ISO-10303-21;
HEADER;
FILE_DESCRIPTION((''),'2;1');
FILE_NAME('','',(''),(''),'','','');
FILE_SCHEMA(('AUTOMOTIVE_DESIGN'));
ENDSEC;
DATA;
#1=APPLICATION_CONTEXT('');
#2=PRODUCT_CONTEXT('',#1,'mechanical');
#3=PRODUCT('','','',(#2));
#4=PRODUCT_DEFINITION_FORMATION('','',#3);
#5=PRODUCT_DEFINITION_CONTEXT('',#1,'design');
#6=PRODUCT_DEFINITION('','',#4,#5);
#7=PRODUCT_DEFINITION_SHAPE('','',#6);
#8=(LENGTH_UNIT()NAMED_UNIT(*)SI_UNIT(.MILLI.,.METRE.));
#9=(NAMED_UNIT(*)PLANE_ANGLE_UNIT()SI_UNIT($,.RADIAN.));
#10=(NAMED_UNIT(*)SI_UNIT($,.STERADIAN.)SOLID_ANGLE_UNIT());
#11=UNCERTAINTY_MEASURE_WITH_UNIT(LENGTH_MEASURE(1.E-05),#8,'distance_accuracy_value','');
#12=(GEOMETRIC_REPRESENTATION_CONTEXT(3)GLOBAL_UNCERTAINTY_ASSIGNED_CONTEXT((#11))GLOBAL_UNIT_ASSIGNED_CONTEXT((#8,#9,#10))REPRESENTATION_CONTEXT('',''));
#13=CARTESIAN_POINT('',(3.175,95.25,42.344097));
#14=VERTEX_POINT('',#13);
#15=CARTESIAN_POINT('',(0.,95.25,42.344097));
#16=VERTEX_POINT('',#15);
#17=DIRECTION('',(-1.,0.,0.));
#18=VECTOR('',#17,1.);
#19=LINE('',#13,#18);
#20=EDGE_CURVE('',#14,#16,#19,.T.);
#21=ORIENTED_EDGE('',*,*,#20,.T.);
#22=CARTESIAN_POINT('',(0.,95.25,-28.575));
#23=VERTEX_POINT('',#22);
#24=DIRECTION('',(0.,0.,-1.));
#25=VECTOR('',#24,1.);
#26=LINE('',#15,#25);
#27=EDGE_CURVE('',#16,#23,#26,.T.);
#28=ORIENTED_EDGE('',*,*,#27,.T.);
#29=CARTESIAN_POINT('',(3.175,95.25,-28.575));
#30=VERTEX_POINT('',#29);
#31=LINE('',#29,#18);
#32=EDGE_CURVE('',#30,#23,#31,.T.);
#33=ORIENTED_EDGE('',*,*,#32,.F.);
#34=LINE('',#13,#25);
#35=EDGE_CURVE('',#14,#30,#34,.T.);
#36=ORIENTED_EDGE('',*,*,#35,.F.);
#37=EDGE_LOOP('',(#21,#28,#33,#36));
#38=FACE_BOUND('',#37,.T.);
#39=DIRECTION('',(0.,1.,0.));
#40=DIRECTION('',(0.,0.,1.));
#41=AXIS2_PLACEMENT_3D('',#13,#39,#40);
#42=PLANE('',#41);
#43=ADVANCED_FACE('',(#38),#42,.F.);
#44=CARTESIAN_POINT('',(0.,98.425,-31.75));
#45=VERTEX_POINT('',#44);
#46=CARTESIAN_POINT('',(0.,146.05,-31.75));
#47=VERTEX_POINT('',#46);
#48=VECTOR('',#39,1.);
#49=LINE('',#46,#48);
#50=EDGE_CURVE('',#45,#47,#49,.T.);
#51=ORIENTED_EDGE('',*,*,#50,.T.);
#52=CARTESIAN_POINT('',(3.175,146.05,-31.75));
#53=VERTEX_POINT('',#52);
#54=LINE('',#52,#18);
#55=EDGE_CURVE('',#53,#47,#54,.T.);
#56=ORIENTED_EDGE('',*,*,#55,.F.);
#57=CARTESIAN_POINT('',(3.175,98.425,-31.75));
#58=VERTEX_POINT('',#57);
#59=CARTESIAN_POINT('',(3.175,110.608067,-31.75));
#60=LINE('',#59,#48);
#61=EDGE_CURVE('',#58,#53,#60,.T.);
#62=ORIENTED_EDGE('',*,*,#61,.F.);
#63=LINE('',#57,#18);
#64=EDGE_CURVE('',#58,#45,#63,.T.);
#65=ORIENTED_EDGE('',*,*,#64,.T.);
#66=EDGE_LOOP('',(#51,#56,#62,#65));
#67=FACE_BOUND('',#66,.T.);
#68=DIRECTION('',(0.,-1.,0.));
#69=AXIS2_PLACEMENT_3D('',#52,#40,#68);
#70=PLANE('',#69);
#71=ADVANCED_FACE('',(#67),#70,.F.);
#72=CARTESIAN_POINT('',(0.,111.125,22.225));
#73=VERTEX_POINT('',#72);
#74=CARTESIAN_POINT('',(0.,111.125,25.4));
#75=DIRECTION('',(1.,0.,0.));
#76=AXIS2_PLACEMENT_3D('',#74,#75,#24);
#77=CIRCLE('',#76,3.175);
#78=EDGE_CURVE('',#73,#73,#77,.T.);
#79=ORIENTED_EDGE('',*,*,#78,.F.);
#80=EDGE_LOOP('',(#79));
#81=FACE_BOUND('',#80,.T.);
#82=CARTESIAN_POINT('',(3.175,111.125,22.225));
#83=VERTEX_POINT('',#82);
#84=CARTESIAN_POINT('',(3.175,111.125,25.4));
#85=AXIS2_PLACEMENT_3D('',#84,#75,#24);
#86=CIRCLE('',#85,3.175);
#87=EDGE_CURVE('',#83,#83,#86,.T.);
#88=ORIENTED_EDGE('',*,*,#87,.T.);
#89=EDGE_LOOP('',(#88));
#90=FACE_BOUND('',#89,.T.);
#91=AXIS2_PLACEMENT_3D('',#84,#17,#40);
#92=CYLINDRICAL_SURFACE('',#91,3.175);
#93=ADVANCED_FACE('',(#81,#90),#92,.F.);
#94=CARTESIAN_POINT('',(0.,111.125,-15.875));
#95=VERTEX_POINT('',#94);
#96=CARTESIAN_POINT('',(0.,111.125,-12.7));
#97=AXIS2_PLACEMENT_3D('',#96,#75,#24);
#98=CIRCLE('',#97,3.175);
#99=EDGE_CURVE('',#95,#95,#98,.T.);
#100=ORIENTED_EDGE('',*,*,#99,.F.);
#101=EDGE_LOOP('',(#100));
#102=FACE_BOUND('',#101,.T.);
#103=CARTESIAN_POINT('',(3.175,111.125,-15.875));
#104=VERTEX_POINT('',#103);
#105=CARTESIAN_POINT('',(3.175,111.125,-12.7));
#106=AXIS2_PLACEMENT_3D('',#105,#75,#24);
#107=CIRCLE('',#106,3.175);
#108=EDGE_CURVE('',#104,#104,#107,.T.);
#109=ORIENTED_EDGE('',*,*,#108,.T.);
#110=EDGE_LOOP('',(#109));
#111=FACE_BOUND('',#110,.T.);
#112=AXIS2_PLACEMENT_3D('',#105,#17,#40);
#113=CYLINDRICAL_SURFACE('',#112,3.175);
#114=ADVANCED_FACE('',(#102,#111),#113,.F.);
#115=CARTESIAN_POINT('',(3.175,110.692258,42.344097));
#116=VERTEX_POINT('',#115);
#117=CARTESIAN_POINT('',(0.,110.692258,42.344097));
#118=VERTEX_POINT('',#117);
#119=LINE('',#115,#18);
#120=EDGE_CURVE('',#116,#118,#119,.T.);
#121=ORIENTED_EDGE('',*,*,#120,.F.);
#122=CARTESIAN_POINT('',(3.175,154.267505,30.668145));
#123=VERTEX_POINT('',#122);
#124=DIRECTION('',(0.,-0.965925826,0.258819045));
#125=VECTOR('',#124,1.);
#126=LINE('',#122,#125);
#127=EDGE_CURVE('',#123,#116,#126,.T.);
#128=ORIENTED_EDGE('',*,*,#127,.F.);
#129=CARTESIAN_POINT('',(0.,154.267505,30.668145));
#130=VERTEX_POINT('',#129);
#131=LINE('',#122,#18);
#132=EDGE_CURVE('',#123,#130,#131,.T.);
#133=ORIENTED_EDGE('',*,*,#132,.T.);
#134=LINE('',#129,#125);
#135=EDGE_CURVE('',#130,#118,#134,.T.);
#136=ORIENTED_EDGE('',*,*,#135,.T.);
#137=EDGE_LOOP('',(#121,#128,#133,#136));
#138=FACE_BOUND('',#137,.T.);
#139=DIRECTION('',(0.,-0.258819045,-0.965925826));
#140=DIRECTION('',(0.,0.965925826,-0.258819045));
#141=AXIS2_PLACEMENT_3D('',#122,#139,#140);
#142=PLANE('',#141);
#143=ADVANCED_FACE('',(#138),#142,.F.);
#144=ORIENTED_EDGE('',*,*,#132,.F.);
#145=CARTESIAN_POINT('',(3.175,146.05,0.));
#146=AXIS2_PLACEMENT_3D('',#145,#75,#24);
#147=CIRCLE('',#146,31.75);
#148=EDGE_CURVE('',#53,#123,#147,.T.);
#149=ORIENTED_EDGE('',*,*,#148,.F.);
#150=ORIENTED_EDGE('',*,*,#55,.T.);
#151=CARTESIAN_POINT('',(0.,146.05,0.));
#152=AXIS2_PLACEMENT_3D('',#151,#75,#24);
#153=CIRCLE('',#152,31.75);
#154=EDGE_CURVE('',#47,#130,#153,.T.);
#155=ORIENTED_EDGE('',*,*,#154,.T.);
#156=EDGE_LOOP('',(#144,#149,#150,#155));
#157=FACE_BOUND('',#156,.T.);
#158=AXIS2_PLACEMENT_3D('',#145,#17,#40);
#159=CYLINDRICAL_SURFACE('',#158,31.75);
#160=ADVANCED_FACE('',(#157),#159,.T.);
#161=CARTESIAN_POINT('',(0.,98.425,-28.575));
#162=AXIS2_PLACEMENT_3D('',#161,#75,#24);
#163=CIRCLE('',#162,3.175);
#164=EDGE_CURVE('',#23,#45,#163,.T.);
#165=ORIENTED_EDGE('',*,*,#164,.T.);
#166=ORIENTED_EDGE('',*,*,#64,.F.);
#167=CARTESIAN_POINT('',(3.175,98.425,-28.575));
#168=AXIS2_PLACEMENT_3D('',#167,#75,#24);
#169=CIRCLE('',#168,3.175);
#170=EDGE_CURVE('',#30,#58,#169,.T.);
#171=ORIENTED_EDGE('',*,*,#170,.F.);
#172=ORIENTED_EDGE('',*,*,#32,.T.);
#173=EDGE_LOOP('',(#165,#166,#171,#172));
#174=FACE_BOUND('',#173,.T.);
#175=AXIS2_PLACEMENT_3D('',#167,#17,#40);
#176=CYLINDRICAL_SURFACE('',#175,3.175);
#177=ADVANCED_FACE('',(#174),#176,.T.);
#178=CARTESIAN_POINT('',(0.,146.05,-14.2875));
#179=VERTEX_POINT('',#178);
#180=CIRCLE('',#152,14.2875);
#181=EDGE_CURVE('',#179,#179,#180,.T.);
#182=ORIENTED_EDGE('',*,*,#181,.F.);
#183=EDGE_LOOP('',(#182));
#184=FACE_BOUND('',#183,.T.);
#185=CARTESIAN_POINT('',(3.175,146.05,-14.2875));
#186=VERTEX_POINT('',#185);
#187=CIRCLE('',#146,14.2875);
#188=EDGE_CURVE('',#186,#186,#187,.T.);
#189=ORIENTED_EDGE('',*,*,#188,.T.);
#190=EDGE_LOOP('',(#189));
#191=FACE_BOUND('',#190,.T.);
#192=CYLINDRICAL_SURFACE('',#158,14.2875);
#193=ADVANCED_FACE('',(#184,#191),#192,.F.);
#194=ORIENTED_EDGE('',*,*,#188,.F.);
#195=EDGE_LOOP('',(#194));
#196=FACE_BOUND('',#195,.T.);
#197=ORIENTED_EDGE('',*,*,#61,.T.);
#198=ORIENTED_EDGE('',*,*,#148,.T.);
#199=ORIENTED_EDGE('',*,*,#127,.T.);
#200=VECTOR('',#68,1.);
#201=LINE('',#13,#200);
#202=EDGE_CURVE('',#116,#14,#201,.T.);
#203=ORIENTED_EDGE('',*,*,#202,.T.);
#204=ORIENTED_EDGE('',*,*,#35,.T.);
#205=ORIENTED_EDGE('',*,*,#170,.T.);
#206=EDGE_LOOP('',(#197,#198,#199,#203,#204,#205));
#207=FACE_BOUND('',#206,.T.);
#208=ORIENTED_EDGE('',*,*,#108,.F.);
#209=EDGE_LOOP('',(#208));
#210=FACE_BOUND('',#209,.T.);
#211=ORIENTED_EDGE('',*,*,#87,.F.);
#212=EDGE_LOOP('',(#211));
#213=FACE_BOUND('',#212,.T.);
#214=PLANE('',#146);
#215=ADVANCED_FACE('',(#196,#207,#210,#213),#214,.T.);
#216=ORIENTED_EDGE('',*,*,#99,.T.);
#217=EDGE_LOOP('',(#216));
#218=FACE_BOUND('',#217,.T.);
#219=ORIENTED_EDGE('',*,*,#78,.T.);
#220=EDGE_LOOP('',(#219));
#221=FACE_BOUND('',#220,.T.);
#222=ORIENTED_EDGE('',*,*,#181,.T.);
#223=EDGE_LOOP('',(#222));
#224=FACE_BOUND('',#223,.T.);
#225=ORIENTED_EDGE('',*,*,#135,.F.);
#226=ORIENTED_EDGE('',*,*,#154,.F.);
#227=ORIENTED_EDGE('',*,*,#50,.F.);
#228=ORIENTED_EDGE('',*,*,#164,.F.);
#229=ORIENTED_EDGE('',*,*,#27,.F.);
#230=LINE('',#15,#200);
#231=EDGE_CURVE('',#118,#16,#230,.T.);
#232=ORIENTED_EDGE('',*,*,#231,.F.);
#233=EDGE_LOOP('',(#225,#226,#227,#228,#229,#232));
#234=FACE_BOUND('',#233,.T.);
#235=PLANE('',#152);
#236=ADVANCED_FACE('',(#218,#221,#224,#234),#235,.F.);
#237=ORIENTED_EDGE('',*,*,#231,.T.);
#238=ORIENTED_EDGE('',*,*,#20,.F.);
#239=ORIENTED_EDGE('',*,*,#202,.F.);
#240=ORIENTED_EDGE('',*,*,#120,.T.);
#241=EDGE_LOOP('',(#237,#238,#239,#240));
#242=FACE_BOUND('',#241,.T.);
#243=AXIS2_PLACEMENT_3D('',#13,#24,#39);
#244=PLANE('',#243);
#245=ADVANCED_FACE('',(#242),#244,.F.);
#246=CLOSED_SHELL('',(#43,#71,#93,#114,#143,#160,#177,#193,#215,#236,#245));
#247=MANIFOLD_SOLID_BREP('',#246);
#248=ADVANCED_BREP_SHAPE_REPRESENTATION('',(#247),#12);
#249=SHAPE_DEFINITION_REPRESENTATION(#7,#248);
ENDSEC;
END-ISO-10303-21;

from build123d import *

# Parameters (mm, degrees)
SKETCH2_R           = 14.2875
SKETCH2_R_2         = 3.175
BOSS_EXTRUDE1_DEPTH = 3.175


with BuildPart() as part:
    # Sketch2 → Boss-Extrude1 (new body)
    with BuildSketch(Plane(origin=(0, 0, 0), x_dir=(0, 0, -1), z_dir=(1, 0, 0))):
        with BuildLine():
            Line((-30.668144985, 154.267504682), (-42.344097145, 110.692257994))
            Line((-42.344097145, 110.692257994), (-42.344097145, 95.25))
            Line((-42.344097145, 95.25), (28.575, 95.25))
            ThreePointArc((28.575, 95.25), (30.82006403, 96.17993597), (31.75, 98.425))
            Line((31.75, 98.425), (31.75, 110.608066701))
            Line((31.75, 110.608066701), (31.75, 146.05))
            ThreePointArc((31.75, 146.05), (4.144206603, 177.528374349), (-30.668144985, 154.267504682))
        make_face()
        with Locations((0, 146.05)):
            Circle(SKETCH2_R, mode=Mode.SUBTRACT)
        with Locations((-25.4, 111.125)):
            Circle(SKETCH2_R_2, mode=Mode.SUBTRACT)
        with Locations((12.7, 111.125)):
            Circle(SKETCH2_R_2, mode=Mode.SUBTRACT)
    extrude(amount=BOSS_EXTRUDE1_DEPTH)


solid = part.part
